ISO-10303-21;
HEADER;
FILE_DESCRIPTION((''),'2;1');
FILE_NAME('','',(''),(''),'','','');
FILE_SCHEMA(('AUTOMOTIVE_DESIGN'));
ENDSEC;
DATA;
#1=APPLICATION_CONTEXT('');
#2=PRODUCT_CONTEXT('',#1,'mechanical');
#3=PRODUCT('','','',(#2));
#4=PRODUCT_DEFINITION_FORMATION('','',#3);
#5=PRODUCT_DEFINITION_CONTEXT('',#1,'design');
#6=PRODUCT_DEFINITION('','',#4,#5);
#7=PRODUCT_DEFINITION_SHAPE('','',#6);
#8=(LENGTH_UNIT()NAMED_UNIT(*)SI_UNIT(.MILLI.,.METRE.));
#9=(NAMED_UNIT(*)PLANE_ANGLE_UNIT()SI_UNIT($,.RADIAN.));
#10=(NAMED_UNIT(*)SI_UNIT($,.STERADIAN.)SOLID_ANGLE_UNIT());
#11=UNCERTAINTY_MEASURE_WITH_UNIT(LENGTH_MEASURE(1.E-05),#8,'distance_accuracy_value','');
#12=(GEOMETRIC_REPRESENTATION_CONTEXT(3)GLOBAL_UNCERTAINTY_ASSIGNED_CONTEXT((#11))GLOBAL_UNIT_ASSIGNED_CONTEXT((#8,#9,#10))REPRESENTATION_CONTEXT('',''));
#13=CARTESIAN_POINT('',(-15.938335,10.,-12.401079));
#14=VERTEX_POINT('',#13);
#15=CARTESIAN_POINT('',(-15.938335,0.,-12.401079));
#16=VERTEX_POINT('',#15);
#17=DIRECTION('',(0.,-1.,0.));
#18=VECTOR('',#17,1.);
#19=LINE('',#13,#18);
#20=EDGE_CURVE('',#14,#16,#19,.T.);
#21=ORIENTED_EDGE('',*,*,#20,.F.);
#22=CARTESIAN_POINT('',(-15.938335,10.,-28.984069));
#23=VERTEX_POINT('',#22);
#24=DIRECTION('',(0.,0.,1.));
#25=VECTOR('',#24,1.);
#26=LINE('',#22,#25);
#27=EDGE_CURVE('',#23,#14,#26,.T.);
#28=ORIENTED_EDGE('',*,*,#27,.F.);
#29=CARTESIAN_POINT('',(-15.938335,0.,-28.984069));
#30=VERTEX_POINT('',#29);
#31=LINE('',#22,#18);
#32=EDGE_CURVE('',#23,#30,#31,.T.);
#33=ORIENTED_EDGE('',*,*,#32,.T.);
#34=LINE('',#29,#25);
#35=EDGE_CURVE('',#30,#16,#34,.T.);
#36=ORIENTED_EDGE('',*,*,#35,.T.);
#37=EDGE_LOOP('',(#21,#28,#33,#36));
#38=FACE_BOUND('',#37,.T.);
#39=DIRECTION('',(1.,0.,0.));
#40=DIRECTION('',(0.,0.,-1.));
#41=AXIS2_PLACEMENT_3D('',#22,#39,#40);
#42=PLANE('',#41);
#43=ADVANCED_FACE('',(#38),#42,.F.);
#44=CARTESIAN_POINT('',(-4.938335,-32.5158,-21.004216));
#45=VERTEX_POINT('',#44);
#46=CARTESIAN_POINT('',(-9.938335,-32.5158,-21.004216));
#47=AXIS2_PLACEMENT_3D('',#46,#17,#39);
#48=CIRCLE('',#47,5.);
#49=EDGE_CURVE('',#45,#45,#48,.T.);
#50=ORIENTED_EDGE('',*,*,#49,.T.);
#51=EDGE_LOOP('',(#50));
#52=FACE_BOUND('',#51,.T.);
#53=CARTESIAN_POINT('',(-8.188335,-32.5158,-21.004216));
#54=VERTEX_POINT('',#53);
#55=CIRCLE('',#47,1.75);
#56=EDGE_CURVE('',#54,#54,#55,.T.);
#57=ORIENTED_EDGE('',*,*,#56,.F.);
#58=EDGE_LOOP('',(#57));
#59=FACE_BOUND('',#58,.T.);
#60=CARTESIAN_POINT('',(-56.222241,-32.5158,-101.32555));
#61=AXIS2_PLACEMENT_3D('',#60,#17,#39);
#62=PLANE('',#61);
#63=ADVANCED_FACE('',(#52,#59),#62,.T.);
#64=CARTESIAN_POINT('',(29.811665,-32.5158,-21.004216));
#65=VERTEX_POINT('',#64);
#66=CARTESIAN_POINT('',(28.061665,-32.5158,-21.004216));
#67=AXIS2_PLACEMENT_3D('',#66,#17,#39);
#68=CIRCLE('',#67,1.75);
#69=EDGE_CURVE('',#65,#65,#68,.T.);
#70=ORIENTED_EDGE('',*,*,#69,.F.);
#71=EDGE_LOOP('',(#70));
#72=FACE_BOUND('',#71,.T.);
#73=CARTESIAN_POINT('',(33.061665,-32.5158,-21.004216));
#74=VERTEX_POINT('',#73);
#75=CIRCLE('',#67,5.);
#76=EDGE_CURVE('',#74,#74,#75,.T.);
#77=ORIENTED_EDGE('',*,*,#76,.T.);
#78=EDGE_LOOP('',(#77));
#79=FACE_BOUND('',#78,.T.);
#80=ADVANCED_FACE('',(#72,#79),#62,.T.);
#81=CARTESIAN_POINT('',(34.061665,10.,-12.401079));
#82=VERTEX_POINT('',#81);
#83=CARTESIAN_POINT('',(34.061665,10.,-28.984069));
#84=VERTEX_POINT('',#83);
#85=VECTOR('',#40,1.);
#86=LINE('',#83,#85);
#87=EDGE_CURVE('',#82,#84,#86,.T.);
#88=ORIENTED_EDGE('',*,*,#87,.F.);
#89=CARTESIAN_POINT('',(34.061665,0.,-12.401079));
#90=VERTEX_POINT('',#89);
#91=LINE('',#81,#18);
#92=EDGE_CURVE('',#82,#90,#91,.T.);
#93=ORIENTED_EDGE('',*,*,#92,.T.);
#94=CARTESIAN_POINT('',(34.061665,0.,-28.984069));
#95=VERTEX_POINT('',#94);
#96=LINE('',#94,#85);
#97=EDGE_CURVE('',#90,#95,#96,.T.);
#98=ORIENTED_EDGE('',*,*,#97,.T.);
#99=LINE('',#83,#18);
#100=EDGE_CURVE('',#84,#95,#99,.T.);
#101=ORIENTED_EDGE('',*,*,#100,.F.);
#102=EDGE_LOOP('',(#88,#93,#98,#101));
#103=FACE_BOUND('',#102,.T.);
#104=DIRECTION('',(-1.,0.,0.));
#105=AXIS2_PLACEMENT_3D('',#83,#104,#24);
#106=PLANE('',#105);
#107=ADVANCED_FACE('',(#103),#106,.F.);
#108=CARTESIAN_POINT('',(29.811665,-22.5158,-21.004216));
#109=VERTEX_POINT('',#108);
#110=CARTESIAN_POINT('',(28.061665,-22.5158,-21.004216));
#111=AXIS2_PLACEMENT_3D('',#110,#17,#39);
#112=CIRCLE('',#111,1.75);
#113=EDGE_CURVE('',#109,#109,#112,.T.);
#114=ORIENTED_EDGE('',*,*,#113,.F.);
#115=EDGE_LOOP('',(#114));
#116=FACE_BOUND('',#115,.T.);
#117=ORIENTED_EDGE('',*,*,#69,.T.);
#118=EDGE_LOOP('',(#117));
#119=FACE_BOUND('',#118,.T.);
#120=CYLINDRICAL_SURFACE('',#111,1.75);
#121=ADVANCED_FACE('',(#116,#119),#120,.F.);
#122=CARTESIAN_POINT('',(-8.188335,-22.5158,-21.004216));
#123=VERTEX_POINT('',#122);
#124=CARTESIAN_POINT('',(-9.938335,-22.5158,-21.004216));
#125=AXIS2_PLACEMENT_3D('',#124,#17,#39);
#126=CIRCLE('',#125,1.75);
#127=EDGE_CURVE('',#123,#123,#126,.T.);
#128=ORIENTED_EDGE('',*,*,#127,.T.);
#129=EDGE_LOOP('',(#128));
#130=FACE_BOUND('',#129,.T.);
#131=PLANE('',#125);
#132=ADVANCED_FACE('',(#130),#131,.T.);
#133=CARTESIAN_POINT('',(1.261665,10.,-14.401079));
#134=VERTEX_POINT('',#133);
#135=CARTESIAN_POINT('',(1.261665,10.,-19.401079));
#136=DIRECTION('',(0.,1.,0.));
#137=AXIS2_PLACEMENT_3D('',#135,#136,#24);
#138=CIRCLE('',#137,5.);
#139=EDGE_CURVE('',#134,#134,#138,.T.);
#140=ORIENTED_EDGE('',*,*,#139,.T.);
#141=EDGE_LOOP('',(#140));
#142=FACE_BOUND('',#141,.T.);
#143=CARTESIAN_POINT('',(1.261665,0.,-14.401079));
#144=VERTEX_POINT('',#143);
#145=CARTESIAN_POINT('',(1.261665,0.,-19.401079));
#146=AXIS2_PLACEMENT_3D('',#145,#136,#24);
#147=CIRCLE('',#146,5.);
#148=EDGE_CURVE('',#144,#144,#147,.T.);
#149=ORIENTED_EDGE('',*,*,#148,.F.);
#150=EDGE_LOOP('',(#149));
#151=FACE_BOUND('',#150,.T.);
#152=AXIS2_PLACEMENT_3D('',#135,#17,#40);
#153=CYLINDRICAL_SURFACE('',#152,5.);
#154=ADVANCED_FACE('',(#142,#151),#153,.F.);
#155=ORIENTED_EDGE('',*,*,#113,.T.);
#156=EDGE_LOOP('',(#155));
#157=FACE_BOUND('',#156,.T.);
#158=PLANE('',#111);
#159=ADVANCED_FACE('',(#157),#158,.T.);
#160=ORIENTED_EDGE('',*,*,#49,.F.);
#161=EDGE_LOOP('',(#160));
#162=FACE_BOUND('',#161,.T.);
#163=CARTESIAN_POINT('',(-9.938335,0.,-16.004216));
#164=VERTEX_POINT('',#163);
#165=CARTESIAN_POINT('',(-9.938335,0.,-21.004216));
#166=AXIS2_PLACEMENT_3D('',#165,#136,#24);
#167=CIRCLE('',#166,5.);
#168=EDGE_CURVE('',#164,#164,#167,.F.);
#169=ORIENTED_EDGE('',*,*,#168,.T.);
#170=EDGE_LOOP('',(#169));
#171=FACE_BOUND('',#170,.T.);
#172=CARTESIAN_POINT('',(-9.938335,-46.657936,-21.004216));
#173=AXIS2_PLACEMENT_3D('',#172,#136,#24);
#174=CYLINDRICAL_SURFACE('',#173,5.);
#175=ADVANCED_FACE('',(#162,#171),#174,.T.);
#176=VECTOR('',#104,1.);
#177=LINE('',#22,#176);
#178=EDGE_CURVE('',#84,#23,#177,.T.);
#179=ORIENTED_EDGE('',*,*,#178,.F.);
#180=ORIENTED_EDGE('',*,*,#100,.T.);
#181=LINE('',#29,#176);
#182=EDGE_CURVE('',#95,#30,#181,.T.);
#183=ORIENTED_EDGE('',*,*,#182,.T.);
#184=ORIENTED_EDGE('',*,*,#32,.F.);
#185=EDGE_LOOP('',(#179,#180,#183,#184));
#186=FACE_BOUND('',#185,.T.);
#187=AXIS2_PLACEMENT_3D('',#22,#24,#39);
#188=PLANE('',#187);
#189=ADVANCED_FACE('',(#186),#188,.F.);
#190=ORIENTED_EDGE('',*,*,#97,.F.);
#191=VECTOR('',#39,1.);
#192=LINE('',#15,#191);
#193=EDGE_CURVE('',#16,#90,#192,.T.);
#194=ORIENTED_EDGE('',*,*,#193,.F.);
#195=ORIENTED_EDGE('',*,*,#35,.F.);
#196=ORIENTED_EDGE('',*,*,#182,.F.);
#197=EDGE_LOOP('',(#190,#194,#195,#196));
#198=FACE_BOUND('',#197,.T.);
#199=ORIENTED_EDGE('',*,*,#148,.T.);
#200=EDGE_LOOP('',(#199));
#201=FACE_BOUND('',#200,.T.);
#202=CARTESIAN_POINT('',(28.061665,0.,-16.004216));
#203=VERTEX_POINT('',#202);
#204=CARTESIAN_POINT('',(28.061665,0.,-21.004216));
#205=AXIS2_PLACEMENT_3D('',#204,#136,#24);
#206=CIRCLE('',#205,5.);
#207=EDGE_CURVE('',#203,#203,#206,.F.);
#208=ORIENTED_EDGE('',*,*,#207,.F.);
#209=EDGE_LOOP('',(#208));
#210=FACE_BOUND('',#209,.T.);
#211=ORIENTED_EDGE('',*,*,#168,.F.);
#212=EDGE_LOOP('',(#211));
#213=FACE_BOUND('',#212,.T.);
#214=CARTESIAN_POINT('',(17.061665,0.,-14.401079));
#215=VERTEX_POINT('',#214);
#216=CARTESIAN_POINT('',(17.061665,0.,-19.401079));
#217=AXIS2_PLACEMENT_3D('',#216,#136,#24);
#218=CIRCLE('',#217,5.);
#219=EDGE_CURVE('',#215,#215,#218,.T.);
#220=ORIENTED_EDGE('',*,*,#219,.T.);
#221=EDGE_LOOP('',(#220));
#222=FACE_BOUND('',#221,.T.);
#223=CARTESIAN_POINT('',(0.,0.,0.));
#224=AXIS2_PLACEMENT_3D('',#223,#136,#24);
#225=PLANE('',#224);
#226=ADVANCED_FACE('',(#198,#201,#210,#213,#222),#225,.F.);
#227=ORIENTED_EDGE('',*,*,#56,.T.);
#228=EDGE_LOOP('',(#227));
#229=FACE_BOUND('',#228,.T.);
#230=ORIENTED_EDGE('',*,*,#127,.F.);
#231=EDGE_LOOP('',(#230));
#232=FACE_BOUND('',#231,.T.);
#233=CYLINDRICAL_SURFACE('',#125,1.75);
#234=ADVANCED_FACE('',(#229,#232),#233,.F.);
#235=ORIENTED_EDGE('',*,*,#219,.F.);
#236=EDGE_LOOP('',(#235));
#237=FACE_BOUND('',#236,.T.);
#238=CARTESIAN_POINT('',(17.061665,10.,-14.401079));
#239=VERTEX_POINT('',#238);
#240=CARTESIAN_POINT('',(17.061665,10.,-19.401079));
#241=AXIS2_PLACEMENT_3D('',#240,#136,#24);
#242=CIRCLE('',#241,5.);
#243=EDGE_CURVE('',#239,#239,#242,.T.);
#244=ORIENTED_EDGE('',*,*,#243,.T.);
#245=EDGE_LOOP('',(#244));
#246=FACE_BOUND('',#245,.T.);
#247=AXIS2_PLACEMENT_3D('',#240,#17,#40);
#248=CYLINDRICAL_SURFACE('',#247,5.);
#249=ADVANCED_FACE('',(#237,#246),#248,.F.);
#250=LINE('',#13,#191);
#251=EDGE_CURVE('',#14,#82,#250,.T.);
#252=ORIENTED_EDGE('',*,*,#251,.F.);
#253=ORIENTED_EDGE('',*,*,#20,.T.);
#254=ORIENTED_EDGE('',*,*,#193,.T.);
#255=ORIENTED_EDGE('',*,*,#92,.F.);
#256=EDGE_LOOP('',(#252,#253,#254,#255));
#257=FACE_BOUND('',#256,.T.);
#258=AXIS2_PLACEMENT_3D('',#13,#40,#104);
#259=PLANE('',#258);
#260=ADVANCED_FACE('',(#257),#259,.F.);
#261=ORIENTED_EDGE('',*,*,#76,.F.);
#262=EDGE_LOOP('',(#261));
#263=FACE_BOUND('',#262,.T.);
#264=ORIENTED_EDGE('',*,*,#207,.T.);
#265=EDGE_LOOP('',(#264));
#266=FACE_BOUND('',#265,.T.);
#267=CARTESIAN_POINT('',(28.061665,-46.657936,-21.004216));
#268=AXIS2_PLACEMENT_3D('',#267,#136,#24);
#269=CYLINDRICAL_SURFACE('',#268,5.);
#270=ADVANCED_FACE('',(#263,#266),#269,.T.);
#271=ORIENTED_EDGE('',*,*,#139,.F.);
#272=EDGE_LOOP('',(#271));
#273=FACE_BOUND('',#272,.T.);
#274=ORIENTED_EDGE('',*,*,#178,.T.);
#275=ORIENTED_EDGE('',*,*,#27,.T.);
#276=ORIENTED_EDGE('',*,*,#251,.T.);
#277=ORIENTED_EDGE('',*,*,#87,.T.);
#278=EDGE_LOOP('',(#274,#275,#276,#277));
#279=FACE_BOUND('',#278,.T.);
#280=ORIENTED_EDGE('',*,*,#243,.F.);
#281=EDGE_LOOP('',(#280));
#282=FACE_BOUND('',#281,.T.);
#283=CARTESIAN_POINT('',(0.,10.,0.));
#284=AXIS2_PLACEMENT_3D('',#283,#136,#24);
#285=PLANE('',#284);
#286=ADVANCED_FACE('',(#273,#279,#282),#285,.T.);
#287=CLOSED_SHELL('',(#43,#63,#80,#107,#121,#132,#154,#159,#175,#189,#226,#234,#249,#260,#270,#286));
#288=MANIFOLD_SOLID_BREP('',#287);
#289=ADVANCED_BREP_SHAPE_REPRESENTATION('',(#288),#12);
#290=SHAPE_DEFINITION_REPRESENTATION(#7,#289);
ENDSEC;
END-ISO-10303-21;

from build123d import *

# Parameters (mm, degrees)
SKETCH1_W           = 50
SKETCH1_H           = 16.582990108
SKETCH1_R           = 5
BOSS_EXTRUDE1_DEPTH = 10
SKETCH2_R           = 5
BOSS_EXTRUDE2_DEPTH = 32.5158
SKETCH3_R           = 1.75
CUT_EXTRUDE1_DEPTH  = 10


with BuildPart() as part:
    # Sketch1 → Boss-Extrude1 (new body)
    with BuildSketch(Plane(origin=(0, 0, 0), x_dir=(1, 0, 0), z_dir=(0, 1, 0))):
        with Locations((9.061664817, 20.692573909)):
            Rectangle(SKETCH1_W, SKETCH1_H)
        with Locations((1.261664817, 19.401078855)):
            Circle(SKETCH1_R, mode=Mode.SUBTRACT)
        with Locations((17.061664817, 19.401078855)):
            Circle(SKETCH1_R, mode=Mode.SUBTRACT)
    extrude(amount=BOSS_EXTRUDE1_DEPTH)

    # Sketch2 → Boss-Extrude2 (add)
    with BuildSketch(Plane.XZ):
        with Locations((28.061664817, -21.004215915)):
            Circle(SKETCH2_R)
        with Locations((-9.938335183, -21.004215915)):
            Circle(SKETCH2_R)
    extrude(amount=BOSS_EXTRUDE2_DEPTH)

    # Sketch3 → Cut-Extrude1 (cut)
    with BuildSketch(Plane.XZ.offset(32.5158)):
        with Locations((28.061664817, -21.004215915)):
            Circle(SKETCH3_R)
        with Locations((-9.938335183, -21.004215915)):
            Circle(SKETCH3_R)
    extrude(amount=-CUT_EXTRUDE1_DEPTH, mode=Mode.SUBTRACT)


solid = part.part
